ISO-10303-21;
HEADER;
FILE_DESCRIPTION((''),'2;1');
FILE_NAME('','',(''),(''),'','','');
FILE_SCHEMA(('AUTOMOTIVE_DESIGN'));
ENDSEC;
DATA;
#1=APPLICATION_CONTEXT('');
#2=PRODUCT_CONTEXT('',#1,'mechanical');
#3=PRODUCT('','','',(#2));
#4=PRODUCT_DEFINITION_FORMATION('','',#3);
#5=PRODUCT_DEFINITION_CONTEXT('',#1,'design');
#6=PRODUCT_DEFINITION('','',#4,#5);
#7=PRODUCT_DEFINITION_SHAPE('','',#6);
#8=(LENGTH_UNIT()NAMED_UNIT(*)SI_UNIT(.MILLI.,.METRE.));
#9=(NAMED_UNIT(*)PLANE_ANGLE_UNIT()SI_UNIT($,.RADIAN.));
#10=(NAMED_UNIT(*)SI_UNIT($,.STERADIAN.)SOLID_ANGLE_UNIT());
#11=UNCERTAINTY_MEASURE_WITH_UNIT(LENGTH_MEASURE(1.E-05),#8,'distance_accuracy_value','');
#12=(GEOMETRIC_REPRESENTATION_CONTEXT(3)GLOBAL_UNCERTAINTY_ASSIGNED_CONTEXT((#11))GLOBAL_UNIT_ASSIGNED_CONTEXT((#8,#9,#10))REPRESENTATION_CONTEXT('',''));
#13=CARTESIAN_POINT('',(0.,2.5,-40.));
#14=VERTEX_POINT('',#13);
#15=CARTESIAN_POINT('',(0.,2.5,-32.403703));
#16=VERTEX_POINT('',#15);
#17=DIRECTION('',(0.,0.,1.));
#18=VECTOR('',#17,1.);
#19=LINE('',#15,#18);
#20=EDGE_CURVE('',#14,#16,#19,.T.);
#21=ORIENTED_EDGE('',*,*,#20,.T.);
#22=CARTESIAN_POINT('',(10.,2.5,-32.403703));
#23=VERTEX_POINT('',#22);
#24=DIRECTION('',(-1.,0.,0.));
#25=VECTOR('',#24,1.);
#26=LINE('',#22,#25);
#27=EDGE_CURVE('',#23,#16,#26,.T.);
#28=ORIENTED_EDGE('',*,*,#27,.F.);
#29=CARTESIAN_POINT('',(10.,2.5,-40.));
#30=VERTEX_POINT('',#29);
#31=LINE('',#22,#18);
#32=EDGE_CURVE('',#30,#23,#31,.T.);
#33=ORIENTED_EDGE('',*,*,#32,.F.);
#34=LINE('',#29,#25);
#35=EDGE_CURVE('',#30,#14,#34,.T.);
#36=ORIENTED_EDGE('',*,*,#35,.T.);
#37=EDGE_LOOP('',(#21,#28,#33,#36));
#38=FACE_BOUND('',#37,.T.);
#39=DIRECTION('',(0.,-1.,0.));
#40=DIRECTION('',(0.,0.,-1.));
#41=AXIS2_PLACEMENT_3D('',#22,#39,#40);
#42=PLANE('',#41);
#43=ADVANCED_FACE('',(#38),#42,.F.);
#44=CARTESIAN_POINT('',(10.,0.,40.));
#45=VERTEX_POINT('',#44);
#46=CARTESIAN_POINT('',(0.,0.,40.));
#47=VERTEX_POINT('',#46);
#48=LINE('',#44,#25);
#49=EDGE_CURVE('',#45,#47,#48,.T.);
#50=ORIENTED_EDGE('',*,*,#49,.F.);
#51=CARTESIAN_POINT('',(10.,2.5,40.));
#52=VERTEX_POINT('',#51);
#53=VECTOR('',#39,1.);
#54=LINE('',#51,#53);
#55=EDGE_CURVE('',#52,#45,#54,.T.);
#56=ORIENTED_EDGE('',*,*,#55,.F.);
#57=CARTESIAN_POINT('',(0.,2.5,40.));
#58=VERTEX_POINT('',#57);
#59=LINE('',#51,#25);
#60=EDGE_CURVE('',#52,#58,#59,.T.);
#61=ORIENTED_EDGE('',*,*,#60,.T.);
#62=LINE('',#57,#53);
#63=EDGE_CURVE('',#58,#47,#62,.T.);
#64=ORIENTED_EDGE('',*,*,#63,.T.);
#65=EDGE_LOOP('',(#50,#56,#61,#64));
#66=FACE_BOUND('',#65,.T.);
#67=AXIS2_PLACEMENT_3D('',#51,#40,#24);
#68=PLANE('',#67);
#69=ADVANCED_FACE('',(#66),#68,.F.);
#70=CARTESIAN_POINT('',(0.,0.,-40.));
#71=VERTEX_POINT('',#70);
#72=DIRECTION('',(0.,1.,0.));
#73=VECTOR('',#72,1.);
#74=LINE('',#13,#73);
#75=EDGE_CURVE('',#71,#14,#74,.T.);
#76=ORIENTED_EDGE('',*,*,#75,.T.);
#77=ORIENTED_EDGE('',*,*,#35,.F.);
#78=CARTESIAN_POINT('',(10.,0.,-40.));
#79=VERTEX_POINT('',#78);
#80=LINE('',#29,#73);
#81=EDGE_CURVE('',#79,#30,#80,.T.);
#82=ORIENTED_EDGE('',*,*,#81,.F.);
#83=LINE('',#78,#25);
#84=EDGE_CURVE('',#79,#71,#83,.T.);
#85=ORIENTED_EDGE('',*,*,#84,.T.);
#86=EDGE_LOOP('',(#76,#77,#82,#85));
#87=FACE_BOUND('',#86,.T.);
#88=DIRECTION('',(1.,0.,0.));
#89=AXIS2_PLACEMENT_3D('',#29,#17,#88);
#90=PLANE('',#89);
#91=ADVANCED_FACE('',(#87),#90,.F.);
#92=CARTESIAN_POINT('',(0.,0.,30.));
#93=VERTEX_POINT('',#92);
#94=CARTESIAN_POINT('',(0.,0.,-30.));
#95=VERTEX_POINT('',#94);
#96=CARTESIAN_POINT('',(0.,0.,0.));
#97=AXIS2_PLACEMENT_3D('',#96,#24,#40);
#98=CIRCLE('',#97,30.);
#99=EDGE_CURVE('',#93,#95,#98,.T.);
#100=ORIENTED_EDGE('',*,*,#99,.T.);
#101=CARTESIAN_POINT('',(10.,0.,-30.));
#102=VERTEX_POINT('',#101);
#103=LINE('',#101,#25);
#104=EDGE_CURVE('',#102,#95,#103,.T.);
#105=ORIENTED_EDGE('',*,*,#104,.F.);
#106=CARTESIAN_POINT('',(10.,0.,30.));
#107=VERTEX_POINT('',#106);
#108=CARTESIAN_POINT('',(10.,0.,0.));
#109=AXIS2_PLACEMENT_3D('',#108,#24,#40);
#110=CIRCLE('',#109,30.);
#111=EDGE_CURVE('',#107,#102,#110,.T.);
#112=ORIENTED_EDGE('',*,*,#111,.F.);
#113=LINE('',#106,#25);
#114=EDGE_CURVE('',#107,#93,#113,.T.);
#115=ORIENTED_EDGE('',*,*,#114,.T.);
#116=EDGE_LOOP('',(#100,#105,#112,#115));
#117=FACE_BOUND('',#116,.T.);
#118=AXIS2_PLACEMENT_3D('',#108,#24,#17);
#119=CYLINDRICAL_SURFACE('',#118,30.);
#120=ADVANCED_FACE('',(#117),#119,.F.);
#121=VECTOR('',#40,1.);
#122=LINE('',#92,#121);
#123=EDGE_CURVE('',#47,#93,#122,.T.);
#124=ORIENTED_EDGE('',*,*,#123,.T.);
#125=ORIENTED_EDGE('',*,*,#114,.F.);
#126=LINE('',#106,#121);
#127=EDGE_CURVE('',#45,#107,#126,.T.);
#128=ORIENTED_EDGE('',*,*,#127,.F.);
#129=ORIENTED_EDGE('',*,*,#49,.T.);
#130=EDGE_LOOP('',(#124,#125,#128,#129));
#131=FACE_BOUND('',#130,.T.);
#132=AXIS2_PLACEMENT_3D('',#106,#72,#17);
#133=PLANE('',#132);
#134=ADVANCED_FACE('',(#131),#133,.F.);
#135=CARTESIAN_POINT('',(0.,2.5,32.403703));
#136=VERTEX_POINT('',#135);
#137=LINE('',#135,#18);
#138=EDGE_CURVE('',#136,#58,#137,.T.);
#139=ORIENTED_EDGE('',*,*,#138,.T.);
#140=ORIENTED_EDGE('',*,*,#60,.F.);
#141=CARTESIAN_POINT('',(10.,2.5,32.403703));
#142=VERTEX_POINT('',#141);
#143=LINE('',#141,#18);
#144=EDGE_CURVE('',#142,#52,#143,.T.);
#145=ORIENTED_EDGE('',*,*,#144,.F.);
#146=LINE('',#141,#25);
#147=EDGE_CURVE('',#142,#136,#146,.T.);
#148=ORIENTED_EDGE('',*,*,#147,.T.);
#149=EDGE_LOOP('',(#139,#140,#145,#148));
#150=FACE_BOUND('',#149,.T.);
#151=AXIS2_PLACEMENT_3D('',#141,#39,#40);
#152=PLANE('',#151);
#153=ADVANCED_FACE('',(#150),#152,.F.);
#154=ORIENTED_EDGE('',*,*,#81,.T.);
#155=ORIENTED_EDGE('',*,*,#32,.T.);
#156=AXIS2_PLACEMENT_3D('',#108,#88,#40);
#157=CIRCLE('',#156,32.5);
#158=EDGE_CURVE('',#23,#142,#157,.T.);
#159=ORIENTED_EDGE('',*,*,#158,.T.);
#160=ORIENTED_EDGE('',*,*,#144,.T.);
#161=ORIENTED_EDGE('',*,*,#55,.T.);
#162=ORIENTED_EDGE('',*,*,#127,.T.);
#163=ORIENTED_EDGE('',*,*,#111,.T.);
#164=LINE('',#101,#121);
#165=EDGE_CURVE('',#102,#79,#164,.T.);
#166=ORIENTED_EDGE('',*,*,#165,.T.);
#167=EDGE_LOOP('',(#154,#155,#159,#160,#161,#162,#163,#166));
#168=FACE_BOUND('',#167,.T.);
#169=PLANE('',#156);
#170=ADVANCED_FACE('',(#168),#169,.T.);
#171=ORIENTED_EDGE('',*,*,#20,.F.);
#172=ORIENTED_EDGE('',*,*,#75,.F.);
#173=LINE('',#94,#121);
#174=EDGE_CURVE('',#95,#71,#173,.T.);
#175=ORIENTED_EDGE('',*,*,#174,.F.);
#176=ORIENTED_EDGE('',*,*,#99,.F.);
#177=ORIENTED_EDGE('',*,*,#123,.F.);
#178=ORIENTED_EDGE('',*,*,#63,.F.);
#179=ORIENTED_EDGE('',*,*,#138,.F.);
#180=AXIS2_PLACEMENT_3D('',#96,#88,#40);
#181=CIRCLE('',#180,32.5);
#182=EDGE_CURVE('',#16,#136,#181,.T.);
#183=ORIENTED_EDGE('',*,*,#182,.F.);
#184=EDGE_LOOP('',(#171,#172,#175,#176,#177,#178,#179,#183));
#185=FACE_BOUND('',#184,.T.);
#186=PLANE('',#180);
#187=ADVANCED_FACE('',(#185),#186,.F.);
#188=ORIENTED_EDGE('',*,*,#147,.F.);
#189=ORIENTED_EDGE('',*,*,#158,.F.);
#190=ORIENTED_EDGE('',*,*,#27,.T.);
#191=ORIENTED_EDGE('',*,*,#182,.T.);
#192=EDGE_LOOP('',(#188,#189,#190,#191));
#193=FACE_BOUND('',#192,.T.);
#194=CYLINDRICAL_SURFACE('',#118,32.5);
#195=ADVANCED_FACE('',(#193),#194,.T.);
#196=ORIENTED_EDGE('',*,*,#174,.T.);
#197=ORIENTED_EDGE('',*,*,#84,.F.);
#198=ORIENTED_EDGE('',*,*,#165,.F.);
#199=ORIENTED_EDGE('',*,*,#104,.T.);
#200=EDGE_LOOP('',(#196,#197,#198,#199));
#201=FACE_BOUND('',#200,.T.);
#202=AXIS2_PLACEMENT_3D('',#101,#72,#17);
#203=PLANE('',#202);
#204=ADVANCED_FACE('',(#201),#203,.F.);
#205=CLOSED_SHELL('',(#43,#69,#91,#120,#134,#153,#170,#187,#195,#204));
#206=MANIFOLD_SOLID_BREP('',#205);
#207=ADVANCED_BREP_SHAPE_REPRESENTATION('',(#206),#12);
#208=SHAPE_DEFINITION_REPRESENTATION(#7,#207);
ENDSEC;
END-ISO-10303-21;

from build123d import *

# Parameters (mm, degrees)
BOSS_EXTRUDE1_DEPTH = 10


with BuildPart() as part:
    # Sketch1 → Boss-Extrude1 (new body)
    with BuildSketch(Plane(origin=(0, 0, 0), x_dir=(0, 0, -1), z_dir=(1, 0, 0))):
        with BuildLine():
            Line((-30, 0), (-40, 0))
            Line((-40, 0), (-40, 2.5))
            Line((-40, 2.5), (-32.403703492, 2.5))
            ThreePointArc((-32.403703492, 2.5), (0, 32.5), (32.403703492, 2.5))
            Line((32.403703492, 2.5), (40, 2.5))
            Line((40, 2.5), (40, 0))
            Line((40, 0), (30, 0))
            ThreePointArc((30, 0), (0, 30), (-30, 0))
        make_face()
    extrude(amount=BOSS_EXTRUDE1_DEPTH)


solid = part.part
